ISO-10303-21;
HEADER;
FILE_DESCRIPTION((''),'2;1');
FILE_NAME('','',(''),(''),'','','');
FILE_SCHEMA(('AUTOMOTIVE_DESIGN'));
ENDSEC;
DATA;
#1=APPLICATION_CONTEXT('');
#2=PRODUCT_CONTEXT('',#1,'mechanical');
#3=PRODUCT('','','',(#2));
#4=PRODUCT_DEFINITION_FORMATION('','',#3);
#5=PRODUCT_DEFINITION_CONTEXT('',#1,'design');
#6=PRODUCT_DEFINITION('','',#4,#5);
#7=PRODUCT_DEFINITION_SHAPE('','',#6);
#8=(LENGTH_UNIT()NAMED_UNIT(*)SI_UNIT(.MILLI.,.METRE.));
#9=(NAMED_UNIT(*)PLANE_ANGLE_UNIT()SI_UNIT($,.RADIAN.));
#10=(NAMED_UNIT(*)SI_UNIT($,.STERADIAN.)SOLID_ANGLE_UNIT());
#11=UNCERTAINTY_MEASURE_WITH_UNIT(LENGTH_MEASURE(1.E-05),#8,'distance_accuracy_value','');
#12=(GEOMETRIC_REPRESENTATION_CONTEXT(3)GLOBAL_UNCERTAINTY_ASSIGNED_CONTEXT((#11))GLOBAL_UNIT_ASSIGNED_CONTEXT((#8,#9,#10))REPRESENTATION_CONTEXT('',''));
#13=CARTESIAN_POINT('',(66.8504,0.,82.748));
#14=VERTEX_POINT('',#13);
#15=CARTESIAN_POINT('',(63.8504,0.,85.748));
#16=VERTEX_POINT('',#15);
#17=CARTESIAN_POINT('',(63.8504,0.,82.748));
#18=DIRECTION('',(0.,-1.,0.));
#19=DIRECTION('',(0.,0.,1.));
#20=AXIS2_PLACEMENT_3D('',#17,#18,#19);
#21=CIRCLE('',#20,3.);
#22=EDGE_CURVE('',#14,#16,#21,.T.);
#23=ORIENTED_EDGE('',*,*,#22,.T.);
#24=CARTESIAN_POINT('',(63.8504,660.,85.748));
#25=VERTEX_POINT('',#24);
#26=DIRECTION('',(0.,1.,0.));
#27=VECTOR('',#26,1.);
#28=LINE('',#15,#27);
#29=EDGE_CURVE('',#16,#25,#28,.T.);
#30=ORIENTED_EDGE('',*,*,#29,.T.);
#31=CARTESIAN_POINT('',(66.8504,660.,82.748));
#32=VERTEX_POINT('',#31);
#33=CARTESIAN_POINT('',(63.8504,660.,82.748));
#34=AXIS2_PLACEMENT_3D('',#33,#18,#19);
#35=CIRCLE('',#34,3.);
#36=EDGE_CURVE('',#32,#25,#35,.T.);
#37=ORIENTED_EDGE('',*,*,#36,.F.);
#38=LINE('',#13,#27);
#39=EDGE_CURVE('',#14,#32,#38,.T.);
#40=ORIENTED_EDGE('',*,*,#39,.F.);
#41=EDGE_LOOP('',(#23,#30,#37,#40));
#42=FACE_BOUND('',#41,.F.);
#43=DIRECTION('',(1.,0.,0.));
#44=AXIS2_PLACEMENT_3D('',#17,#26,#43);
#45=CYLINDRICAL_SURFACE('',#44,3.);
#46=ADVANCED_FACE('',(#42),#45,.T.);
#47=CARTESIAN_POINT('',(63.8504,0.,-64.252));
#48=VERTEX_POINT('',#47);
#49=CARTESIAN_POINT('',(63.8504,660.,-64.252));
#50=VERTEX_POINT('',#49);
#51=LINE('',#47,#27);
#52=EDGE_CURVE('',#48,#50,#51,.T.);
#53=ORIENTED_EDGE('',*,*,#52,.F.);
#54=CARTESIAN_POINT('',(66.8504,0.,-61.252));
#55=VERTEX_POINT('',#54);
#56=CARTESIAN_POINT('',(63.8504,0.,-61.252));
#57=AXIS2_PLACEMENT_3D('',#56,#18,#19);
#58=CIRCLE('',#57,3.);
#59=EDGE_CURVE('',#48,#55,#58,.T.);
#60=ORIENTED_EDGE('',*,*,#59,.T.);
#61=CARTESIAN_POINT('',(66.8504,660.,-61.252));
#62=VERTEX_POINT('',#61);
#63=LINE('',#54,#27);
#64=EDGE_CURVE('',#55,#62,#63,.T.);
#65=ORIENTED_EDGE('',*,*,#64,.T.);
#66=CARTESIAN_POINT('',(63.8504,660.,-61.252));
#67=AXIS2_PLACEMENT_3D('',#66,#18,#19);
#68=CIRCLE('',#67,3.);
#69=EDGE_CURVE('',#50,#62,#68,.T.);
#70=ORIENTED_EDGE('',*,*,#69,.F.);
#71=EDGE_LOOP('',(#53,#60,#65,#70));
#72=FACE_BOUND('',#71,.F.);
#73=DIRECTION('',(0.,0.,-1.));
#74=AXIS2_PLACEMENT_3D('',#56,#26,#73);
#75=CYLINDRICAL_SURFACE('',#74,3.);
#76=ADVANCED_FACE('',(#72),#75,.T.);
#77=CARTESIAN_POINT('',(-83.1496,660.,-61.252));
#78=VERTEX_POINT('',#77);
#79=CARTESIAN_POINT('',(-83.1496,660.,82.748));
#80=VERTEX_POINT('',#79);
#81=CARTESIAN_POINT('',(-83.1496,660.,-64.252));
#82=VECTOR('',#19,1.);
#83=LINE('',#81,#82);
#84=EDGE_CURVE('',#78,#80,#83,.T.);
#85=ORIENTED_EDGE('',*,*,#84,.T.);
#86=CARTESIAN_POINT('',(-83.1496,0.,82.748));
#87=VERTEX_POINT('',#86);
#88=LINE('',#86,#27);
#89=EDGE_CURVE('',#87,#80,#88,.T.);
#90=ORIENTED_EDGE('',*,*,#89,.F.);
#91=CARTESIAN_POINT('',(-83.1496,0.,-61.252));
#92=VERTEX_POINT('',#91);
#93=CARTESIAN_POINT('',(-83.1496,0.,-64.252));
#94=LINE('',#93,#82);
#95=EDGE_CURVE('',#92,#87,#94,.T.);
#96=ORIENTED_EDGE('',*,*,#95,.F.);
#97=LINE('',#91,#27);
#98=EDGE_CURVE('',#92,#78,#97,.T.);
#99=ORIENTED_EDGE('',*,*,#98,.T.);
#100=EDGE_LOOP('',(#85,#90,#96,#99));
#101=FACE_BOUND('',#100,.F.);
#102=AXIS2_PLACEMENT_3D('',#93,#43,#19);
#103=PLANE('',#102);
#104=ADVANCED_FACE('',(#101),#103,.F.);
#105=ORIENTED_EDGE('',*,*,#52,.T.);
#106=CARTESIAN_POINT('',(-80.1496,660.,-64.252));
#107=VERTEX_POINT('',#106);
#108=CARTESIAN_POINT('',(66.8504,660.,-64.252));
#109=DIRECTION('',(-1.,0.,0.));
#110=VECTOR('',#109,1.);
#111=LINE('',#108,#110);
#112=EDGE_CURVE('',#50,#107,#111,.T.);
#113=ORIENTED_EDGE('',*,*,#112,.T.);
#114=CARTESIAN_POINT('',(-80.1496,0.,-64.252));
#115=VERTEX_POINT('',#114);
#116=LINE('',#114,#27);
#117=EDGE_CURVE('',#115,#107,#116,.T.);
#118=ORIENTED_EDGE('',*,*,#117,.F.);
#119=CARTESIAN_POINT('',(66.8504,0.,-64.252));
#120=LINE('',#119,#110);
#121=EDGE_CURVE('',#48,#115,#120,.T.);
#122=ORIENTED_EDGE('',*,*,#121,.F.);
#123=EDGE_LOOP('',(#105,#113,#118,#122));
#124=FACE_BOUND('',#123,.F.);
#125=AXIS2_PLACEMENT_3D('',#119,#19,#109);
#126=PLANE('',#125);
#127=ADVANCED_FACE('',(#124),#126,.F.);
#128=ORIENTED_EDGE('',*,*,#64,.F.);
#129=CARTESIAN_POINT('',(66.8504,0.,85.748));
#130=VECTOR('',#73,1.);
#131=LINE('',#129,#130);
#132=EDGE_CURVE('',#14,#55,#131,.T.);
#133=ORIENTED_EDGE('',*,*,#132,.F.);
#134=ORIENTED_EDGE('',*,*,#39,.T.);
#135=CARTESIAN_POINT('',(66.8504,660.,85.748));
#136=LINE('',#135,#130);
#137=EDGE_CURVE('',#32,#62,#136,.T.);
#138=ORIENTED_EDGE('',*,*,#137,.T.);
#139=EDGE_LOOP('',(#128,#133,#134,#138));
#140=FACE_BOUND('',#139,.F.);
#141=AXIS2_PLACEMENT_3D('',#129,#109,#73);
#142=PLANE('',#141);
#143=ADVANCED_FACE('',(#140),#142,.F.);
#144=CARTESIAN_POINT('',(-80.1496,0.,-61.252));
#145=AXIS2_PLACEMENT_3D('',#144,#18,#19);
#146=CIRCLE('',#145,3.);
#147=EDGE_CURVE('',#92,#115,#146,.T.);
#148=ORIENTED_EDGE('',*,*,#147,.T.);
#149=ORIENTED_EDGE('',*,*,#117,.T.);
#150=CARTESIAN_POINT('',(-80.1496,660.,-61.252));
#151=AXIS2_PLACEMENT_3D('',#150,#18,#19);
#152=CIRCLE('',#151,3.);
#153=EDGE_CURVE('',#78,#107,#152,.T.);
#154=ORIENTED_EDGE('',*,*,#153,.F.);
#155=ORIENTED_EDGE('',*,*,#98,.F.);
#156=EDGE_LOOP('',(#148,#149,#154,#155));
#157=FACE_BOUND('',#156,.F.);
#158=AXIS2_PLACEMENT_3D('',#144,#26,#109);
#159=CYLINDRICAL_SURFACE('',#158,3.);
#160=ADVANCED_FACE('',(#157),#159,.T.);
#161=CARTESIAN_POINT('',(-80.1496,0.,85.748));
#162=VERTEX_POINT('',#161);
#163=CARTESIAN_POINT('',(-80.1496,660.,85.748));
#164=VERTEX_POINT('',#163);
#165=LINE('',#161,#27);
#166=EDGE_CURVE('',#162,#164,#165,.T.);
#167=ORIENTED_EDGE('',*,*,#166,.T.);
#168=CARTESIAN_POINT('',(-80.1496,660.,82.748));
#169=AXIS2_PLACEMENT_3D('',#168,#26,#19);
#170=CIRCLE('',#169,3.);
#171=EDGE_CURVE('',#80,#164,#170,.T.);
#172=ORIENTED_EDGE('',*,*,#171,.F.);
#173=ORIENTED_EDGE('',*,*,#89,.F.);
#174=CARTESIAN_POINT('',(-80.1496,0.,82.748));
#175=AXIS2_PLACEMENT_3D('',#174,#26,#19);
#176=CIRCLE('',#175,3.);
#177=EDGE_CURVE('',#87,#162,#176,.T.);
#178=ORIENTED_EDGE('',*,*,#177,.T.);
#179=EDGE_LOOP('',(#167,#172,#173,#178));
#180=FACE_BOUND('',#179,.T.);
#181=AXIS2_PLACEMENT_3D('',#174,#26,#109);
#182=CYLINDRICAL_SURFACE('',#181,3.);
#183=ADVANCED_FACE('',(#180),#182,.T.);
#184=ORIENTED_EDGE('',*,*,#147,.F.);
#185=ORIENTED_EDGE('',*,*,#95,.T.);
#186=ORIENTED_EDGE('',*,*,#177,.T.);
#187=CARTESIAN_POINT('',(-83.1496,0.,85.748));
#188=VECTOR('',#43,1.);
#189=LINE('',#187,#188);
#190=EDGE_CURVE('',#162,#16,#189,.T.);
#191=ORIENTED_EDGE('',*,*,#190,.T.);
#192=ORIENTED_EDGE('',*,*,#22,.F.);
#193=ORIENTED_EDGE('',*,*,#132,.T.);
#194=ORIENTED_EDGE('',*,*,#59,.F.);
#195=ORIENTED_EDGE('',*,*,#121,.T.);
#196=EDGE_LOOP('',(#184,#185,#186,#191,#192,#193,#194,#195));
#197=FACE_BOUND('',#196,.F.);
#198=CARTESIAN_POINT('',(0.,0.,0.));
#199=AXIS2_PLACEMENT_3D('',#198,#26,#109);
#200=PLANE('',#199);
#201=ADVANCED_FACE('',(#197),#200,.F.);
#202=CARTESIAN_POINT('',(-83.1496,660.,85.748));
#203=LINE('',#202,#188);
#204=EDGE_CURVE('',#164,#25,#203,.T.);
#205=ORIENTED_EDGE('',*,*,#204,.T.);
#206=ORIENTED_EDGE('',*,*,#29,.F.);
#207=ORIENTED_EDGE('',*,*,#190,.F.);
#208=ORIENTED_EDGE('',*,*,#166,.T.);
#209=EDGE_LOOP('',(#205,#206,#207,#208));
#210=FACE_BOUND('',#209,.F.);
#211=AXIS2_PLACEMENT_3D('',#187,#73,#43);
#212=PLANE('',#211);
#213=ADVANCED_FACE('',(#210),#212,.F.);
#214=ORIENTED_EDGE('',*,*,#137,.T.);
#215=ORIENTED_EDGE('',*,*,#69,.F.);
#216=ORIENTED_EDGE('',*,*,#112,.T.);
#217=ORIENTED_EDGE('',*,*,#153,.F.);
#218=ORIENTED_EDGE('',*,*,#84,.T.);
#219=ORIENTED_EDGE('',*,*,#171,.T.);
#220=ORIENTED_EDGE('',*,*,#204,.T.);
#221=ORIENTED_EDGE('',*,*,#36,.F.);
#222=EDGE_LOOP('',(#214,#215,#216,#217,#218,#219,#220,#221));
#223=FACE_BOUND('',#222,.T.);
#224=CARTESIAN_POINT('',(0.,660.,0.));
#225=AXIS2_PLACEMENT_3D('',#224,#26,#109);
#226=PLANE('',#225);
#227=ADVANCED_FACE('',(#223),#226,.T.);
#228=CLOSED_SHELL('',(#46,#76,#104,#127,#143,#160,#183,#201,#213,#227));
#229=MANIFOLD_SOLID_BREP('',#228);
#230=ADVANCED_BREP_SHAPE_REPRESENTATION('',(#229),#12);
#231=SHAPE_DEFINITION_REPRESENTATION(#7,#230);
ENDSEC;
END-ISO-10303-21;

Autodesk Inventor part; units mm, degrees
ref_plane "YZ Plane" through (0, 0, 0) normal (1, 0, 0) x (0, 1, 0)
ref_plane "XZ Plane" through (0, 0, 0) normal (0, 1, 0) x (-1, 0, 0)
ref_plane "XY Plane" through (0, 0, 0) normal (0, 0, 1) x (1, 0, 0)
sketch "Sketch1" plane through (0, 0, 0) normal (0, 1, 0) x (-1, 0, 0)
  line L0 (83.1496, 85.748) -> (-66.8504, 85.748)
  line L1 (-66.8504, 85.748) -> (-66.8504, -64.252)
  line L2 (-66.8504, -64.252) -> (83.1496, -64.252)
  line L3 (83.1496, -64.252) -> (83.1496, 85.748)
  point P0 (0, 0)
  dimension "d1" = 150
  dimension "d4" = 150
extrude "Extrusion1" add sketch "Sketch1" along normal blind 660
sketch "Sketch2" plane through (0, 660, 0) normal (0, 1, 0) x (1, 0, 0)
  point P0 (0, 0)
sketch "Sketch3" plane through (0, 660, 0) normal (0, 1, 0) x (1, 0, 0)
  point P0 (0, 0)
sketch "Sketch4" plane through (0, 660, 0) normal (0, 1, 0) x (1, 0, 0)
  point P0 (0, 0)
fillet "Fillet1" radius 3 4 edges at (66.8504, 330, 85.748) (-83.1496, 330, 85.748) (66.8504, 330, -64.252) (-83.1496, 330, -64.252)
properties part number "stand" material "Wood (Birch)"
